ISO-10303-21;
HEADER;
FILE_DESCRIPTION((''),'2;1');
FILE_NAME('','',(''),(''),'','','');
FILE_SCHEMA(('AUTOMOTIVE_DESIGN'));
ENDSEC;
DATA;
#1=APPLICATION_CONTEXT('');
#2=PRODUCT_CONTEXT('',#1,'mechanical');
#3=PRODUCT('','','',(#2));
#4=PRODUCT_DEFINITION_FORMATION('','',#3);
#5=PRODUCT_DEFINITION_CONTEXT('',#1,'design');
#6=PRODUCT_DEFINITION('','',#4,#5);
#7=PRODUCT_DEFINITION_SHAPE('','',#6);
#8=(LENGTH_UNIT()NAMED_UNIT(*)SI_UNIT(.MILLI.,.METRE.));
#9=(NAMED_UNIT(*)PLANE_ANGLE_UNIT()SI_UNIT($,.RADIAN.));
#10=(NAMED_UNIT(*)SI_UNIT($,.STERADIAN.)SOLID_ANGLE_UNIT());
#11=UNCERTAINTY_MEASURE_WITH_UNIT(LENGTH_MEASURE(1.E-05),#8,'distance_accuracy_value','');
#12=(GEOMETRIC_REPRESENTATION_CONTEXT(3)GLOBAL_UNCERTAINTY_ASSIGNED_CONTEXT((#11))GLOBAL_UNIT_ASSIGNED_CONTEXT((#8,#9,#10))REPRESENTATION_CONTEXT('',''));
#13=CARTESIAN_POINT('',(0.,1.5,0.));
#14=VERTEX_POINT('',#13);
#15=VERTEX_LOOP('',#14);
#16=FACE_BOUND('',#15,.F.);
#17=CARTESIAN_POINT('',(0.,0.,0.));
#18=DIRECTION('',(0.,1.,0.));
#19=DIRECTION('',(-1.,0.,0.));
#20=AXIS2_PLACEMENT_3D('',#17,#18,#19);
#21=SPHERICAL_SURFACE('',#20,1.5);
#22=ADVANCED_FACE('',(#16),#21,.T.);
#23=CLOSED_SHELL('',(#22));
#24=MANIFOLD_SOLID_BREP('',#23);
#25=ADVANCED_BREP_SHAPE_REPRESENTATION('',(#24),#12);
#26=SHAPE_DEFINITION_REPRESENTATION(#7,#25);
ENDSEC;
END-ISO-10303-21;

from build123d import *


with BuildPart() as part:
    # Esquisse1 → Révolution2 (revolve)
    with BuildSketch(Plane.XY):
        with BuildLine():
            Line((0, 1.5), (0, -1.5))
            ThreePointArc((0, -1.5), (-1.5, 0), (0, 1.5))
        make_face()
    revolve(axis=Axis((0, 1.5, 0), (0, -1, 0)))


solid = part.part
